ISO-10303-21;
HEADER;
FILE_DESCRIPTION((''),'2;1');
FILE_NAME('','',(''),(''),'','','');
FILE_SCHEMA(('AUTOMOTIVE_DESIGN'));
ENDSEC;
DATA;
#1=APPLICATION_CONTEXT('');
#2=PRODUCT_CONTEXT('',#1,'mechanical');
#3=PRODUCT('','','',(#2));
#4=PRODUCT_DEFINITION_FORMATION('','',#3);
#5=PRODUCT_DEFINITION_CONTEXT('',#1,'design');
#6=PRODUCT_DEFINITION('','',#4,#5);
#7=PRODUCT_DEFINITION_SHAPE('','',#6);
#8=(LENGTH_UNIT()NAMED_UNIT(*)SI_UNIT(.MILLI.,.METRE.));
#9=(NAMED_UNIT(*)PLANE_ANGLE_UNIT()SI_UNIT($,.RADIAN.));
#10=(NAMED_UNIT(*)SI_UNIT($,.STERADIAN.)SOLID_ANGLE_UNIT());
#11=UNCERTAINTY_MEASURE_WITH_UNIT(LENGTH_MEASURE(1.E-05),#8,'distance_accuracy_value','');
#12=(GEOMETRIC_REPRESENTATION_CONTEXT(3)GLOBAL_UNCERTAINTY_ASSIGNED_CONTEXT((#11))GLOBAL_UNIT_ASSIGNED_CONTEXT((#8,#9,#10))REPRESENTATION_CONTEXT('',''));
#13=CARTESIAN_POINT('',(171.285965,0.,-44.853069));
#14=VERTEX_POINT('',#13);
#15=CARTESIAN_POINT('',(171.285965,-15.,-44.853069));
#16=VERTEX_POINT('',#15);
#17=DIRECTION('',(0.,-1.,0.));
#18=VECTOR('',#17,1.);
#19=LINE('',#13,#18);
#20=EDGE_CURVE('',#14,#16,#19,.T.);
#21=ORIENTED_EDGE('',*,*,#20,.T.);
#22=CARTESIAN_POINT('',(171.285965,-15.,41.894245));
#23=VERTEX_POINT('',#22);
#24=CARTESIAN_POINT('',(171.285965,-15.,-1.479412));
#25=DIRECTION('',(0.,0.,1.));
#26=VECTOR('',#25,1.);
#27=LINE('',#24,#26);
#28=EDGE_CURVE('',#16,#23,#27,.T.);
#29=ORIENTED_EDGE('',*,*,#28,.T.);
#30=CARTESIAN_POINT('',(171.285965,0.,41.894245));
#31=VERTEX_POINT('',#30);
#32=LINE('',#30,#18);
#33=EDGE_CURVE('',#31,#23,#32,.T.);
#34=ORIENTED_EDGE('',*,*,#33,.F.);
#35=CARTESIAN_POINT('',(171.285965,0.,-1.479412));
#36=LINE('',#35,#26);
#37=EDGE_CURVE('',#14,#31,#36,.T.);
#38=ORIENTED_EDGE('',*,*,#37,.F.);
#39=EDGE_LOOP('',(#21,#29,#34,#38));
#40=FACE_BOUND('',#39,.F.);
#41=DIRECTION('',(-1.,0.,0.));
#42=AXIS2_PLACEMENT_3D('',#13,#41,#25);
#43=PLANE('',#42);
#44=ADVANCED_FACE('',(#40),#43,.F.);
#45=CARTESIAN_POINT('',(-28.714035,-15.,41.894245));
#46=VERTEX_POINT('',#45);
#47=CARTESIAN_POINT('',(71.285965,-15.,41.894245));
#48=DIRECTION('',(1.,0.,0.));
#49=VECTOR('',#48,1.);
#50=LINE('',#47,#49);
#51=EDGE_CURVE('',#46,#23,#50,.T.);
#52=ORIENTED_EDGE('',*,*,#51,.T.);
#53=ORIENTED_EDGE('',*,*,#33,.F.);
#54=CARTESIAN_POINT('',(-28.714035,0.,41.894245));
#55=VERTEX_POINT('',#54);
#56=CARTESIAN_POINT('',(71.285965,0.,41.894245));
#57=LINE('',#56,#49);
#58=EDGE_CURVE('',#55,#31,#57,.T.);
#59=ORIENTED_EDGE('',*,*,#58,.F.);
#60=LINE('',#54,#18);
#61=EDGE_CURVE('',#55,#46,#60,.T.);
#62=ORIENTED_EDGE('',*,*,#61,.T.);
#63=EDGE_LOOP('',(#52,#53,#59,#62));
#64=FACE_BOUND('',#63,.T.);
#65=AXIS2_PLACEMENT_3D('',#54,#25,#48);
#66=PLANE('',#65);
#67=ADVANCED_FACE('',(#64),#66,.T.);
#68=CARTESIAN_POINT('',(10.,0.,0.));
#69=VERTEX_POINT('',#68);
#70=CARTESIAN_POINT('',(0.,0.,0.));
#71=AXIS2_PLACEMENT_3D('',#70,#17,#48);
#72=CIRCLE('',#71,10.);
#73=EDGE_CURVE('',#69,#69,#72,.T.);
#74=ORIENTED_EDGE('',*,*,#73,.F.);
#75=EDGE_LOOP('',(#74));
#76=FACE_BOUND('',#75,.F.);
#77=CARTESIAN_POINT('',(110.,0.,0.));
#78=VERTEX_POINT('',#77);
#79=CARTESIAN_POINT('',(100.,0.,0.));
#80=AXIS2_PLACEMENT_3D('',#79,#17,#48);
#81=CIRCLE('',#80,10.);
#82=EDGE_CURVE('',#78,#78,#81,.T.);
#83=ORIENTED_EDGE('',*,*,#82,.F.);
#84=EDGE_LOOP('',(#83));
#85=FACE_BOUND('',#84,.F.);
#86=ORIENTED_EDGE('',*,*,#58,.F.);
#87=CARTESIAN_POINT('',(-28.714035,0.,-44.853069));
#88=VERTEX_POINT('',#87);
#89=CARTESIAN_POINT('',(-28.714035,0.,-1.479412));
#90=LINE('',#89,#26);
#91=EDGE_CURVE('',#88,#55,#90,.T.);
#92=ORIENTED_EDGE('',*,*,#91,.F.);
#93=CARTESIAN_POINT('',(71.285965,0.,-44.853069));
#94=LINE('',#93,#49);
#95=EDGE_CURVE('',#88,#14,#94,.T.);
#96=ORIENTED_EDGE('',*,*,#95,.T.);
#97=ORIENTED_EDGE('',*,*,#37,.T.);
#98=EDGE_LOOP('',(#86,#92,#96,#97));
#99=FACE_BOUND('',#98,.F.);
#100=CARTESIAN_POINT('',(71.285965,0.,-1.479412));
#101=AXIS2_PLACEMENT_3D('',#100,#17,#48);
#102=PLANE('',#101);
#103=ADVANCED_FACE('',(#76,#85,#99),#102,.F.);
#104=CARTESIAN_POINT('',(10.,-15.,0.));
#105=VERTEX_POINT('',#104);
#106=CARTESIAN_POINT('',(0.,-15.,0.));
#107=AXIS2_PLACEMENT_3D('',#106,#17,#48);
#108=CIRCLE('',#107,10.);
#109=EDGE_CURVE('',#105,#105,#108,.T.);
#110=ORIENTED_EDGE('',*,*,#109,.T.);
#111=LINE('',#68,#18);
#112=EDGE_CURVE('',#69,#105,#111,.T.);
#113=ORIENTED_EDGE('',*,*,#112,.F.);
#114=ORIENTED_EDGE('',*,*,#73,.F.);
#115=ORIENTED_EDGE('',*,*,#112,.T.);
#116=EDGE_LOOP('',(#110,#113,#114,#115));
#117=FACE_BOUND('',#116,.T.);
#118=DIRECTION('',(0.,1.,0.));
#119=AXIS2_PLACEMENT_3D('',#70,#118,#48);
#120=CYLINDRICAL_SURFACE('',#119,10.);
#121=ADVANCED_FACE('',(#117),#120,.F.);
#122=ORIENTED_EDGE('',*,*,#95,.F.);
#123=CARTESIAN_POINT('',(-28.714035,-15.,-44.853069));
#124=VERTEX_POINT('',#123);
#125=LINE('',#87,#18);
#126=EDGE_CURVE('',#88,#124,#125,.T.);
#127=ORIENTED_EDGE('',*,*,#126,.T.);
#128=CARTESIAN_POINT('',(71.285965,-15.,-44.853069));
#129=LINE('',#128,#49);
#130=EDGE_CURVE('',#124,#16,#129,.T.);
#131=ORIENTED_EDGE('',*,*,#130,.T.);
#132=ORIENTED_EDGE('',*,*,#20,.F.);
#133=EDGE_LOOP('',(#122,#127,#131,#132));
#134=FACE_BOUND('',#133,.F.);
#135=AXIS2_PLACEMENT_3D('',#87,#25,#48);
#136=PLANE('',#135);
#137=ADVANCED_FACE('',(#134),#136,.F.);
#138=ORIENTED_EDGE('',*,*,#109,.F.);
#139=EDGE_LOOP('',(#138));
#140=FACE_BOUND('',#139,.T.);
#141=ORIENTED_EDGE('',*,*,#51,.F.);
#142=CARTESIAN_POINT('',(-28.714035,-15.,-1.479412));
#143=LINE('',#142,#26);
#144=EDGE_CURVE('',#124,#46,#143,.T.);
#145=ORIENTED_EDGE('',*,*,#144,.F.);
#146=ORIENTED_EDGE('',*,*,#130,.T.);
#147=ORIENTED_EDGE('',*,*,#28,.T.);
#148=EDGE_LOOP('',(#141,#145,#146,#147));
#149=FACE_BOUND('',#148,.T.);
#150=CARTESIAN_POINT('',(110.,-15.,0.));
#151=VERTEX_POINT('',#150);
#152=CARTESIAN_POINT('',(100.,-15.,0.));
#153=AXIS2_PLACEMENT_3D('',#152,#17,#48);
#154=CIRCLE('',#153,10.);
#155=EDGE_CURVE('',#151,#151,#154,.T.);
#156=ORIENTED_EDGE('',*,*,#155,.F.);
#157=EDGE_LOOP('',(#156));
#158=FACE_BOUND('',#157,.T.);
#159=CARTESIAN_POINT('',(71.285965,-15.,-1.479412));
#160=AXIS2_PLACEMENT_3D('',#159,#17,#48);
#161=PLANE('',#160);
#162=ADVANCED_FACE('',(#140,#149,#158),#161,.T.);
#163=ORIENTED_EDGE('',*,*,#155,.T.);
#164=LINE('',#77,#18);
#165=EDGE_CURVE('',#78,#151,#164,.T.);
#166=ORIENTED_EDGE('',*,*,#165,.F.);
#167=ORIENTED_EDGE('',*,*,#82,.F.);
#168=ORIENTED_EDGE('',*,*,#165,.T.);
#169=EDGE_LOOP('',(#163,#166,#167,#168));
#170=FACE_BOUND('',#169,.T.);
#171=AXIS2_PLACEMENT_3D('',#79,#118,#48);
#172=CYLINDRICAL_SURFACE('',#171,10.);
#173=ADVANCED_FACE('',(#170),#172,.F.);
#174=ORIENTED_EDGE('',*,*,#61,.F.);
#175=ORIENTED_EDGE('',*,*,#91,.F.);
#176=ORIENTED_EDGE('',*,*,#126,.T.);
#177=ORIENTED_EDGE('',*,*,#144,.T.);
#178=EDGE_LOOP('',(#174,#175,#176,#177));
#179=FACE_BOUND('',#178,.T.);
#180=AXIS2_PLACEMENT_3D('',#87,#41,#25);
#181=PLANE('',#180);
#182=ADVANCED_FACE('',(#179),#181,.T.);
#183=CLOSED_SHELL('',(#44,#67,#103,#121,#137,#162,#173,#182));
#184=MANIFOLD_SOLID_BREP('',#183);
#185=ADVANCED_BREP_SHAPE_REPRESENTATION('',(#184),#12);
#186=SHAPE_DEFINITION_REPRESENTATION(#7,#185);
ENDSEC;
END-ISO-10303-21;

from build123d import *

# Parameters (mm, degrees)
F0_W     = 200
F0_H     = 86.747314
F0_R     = 10
F1_DEPTH = 15


with BuildPart() as f1:
    # F0 (on Front) → F1 (new body)
    with BuildSketch(Plane.XZ):
        with Locations((71.285965, -1.479412)):
            Rectangle(F0_W, F0_H)
        Circle(F0_R, mode=Mode.SUBTRACT)
        with Locations((100, 0)):
            Circle(F0_R, mode=Mode.SUBTRACT)
    extrude(amount=F1_DEPTH)


solid = f1.part
